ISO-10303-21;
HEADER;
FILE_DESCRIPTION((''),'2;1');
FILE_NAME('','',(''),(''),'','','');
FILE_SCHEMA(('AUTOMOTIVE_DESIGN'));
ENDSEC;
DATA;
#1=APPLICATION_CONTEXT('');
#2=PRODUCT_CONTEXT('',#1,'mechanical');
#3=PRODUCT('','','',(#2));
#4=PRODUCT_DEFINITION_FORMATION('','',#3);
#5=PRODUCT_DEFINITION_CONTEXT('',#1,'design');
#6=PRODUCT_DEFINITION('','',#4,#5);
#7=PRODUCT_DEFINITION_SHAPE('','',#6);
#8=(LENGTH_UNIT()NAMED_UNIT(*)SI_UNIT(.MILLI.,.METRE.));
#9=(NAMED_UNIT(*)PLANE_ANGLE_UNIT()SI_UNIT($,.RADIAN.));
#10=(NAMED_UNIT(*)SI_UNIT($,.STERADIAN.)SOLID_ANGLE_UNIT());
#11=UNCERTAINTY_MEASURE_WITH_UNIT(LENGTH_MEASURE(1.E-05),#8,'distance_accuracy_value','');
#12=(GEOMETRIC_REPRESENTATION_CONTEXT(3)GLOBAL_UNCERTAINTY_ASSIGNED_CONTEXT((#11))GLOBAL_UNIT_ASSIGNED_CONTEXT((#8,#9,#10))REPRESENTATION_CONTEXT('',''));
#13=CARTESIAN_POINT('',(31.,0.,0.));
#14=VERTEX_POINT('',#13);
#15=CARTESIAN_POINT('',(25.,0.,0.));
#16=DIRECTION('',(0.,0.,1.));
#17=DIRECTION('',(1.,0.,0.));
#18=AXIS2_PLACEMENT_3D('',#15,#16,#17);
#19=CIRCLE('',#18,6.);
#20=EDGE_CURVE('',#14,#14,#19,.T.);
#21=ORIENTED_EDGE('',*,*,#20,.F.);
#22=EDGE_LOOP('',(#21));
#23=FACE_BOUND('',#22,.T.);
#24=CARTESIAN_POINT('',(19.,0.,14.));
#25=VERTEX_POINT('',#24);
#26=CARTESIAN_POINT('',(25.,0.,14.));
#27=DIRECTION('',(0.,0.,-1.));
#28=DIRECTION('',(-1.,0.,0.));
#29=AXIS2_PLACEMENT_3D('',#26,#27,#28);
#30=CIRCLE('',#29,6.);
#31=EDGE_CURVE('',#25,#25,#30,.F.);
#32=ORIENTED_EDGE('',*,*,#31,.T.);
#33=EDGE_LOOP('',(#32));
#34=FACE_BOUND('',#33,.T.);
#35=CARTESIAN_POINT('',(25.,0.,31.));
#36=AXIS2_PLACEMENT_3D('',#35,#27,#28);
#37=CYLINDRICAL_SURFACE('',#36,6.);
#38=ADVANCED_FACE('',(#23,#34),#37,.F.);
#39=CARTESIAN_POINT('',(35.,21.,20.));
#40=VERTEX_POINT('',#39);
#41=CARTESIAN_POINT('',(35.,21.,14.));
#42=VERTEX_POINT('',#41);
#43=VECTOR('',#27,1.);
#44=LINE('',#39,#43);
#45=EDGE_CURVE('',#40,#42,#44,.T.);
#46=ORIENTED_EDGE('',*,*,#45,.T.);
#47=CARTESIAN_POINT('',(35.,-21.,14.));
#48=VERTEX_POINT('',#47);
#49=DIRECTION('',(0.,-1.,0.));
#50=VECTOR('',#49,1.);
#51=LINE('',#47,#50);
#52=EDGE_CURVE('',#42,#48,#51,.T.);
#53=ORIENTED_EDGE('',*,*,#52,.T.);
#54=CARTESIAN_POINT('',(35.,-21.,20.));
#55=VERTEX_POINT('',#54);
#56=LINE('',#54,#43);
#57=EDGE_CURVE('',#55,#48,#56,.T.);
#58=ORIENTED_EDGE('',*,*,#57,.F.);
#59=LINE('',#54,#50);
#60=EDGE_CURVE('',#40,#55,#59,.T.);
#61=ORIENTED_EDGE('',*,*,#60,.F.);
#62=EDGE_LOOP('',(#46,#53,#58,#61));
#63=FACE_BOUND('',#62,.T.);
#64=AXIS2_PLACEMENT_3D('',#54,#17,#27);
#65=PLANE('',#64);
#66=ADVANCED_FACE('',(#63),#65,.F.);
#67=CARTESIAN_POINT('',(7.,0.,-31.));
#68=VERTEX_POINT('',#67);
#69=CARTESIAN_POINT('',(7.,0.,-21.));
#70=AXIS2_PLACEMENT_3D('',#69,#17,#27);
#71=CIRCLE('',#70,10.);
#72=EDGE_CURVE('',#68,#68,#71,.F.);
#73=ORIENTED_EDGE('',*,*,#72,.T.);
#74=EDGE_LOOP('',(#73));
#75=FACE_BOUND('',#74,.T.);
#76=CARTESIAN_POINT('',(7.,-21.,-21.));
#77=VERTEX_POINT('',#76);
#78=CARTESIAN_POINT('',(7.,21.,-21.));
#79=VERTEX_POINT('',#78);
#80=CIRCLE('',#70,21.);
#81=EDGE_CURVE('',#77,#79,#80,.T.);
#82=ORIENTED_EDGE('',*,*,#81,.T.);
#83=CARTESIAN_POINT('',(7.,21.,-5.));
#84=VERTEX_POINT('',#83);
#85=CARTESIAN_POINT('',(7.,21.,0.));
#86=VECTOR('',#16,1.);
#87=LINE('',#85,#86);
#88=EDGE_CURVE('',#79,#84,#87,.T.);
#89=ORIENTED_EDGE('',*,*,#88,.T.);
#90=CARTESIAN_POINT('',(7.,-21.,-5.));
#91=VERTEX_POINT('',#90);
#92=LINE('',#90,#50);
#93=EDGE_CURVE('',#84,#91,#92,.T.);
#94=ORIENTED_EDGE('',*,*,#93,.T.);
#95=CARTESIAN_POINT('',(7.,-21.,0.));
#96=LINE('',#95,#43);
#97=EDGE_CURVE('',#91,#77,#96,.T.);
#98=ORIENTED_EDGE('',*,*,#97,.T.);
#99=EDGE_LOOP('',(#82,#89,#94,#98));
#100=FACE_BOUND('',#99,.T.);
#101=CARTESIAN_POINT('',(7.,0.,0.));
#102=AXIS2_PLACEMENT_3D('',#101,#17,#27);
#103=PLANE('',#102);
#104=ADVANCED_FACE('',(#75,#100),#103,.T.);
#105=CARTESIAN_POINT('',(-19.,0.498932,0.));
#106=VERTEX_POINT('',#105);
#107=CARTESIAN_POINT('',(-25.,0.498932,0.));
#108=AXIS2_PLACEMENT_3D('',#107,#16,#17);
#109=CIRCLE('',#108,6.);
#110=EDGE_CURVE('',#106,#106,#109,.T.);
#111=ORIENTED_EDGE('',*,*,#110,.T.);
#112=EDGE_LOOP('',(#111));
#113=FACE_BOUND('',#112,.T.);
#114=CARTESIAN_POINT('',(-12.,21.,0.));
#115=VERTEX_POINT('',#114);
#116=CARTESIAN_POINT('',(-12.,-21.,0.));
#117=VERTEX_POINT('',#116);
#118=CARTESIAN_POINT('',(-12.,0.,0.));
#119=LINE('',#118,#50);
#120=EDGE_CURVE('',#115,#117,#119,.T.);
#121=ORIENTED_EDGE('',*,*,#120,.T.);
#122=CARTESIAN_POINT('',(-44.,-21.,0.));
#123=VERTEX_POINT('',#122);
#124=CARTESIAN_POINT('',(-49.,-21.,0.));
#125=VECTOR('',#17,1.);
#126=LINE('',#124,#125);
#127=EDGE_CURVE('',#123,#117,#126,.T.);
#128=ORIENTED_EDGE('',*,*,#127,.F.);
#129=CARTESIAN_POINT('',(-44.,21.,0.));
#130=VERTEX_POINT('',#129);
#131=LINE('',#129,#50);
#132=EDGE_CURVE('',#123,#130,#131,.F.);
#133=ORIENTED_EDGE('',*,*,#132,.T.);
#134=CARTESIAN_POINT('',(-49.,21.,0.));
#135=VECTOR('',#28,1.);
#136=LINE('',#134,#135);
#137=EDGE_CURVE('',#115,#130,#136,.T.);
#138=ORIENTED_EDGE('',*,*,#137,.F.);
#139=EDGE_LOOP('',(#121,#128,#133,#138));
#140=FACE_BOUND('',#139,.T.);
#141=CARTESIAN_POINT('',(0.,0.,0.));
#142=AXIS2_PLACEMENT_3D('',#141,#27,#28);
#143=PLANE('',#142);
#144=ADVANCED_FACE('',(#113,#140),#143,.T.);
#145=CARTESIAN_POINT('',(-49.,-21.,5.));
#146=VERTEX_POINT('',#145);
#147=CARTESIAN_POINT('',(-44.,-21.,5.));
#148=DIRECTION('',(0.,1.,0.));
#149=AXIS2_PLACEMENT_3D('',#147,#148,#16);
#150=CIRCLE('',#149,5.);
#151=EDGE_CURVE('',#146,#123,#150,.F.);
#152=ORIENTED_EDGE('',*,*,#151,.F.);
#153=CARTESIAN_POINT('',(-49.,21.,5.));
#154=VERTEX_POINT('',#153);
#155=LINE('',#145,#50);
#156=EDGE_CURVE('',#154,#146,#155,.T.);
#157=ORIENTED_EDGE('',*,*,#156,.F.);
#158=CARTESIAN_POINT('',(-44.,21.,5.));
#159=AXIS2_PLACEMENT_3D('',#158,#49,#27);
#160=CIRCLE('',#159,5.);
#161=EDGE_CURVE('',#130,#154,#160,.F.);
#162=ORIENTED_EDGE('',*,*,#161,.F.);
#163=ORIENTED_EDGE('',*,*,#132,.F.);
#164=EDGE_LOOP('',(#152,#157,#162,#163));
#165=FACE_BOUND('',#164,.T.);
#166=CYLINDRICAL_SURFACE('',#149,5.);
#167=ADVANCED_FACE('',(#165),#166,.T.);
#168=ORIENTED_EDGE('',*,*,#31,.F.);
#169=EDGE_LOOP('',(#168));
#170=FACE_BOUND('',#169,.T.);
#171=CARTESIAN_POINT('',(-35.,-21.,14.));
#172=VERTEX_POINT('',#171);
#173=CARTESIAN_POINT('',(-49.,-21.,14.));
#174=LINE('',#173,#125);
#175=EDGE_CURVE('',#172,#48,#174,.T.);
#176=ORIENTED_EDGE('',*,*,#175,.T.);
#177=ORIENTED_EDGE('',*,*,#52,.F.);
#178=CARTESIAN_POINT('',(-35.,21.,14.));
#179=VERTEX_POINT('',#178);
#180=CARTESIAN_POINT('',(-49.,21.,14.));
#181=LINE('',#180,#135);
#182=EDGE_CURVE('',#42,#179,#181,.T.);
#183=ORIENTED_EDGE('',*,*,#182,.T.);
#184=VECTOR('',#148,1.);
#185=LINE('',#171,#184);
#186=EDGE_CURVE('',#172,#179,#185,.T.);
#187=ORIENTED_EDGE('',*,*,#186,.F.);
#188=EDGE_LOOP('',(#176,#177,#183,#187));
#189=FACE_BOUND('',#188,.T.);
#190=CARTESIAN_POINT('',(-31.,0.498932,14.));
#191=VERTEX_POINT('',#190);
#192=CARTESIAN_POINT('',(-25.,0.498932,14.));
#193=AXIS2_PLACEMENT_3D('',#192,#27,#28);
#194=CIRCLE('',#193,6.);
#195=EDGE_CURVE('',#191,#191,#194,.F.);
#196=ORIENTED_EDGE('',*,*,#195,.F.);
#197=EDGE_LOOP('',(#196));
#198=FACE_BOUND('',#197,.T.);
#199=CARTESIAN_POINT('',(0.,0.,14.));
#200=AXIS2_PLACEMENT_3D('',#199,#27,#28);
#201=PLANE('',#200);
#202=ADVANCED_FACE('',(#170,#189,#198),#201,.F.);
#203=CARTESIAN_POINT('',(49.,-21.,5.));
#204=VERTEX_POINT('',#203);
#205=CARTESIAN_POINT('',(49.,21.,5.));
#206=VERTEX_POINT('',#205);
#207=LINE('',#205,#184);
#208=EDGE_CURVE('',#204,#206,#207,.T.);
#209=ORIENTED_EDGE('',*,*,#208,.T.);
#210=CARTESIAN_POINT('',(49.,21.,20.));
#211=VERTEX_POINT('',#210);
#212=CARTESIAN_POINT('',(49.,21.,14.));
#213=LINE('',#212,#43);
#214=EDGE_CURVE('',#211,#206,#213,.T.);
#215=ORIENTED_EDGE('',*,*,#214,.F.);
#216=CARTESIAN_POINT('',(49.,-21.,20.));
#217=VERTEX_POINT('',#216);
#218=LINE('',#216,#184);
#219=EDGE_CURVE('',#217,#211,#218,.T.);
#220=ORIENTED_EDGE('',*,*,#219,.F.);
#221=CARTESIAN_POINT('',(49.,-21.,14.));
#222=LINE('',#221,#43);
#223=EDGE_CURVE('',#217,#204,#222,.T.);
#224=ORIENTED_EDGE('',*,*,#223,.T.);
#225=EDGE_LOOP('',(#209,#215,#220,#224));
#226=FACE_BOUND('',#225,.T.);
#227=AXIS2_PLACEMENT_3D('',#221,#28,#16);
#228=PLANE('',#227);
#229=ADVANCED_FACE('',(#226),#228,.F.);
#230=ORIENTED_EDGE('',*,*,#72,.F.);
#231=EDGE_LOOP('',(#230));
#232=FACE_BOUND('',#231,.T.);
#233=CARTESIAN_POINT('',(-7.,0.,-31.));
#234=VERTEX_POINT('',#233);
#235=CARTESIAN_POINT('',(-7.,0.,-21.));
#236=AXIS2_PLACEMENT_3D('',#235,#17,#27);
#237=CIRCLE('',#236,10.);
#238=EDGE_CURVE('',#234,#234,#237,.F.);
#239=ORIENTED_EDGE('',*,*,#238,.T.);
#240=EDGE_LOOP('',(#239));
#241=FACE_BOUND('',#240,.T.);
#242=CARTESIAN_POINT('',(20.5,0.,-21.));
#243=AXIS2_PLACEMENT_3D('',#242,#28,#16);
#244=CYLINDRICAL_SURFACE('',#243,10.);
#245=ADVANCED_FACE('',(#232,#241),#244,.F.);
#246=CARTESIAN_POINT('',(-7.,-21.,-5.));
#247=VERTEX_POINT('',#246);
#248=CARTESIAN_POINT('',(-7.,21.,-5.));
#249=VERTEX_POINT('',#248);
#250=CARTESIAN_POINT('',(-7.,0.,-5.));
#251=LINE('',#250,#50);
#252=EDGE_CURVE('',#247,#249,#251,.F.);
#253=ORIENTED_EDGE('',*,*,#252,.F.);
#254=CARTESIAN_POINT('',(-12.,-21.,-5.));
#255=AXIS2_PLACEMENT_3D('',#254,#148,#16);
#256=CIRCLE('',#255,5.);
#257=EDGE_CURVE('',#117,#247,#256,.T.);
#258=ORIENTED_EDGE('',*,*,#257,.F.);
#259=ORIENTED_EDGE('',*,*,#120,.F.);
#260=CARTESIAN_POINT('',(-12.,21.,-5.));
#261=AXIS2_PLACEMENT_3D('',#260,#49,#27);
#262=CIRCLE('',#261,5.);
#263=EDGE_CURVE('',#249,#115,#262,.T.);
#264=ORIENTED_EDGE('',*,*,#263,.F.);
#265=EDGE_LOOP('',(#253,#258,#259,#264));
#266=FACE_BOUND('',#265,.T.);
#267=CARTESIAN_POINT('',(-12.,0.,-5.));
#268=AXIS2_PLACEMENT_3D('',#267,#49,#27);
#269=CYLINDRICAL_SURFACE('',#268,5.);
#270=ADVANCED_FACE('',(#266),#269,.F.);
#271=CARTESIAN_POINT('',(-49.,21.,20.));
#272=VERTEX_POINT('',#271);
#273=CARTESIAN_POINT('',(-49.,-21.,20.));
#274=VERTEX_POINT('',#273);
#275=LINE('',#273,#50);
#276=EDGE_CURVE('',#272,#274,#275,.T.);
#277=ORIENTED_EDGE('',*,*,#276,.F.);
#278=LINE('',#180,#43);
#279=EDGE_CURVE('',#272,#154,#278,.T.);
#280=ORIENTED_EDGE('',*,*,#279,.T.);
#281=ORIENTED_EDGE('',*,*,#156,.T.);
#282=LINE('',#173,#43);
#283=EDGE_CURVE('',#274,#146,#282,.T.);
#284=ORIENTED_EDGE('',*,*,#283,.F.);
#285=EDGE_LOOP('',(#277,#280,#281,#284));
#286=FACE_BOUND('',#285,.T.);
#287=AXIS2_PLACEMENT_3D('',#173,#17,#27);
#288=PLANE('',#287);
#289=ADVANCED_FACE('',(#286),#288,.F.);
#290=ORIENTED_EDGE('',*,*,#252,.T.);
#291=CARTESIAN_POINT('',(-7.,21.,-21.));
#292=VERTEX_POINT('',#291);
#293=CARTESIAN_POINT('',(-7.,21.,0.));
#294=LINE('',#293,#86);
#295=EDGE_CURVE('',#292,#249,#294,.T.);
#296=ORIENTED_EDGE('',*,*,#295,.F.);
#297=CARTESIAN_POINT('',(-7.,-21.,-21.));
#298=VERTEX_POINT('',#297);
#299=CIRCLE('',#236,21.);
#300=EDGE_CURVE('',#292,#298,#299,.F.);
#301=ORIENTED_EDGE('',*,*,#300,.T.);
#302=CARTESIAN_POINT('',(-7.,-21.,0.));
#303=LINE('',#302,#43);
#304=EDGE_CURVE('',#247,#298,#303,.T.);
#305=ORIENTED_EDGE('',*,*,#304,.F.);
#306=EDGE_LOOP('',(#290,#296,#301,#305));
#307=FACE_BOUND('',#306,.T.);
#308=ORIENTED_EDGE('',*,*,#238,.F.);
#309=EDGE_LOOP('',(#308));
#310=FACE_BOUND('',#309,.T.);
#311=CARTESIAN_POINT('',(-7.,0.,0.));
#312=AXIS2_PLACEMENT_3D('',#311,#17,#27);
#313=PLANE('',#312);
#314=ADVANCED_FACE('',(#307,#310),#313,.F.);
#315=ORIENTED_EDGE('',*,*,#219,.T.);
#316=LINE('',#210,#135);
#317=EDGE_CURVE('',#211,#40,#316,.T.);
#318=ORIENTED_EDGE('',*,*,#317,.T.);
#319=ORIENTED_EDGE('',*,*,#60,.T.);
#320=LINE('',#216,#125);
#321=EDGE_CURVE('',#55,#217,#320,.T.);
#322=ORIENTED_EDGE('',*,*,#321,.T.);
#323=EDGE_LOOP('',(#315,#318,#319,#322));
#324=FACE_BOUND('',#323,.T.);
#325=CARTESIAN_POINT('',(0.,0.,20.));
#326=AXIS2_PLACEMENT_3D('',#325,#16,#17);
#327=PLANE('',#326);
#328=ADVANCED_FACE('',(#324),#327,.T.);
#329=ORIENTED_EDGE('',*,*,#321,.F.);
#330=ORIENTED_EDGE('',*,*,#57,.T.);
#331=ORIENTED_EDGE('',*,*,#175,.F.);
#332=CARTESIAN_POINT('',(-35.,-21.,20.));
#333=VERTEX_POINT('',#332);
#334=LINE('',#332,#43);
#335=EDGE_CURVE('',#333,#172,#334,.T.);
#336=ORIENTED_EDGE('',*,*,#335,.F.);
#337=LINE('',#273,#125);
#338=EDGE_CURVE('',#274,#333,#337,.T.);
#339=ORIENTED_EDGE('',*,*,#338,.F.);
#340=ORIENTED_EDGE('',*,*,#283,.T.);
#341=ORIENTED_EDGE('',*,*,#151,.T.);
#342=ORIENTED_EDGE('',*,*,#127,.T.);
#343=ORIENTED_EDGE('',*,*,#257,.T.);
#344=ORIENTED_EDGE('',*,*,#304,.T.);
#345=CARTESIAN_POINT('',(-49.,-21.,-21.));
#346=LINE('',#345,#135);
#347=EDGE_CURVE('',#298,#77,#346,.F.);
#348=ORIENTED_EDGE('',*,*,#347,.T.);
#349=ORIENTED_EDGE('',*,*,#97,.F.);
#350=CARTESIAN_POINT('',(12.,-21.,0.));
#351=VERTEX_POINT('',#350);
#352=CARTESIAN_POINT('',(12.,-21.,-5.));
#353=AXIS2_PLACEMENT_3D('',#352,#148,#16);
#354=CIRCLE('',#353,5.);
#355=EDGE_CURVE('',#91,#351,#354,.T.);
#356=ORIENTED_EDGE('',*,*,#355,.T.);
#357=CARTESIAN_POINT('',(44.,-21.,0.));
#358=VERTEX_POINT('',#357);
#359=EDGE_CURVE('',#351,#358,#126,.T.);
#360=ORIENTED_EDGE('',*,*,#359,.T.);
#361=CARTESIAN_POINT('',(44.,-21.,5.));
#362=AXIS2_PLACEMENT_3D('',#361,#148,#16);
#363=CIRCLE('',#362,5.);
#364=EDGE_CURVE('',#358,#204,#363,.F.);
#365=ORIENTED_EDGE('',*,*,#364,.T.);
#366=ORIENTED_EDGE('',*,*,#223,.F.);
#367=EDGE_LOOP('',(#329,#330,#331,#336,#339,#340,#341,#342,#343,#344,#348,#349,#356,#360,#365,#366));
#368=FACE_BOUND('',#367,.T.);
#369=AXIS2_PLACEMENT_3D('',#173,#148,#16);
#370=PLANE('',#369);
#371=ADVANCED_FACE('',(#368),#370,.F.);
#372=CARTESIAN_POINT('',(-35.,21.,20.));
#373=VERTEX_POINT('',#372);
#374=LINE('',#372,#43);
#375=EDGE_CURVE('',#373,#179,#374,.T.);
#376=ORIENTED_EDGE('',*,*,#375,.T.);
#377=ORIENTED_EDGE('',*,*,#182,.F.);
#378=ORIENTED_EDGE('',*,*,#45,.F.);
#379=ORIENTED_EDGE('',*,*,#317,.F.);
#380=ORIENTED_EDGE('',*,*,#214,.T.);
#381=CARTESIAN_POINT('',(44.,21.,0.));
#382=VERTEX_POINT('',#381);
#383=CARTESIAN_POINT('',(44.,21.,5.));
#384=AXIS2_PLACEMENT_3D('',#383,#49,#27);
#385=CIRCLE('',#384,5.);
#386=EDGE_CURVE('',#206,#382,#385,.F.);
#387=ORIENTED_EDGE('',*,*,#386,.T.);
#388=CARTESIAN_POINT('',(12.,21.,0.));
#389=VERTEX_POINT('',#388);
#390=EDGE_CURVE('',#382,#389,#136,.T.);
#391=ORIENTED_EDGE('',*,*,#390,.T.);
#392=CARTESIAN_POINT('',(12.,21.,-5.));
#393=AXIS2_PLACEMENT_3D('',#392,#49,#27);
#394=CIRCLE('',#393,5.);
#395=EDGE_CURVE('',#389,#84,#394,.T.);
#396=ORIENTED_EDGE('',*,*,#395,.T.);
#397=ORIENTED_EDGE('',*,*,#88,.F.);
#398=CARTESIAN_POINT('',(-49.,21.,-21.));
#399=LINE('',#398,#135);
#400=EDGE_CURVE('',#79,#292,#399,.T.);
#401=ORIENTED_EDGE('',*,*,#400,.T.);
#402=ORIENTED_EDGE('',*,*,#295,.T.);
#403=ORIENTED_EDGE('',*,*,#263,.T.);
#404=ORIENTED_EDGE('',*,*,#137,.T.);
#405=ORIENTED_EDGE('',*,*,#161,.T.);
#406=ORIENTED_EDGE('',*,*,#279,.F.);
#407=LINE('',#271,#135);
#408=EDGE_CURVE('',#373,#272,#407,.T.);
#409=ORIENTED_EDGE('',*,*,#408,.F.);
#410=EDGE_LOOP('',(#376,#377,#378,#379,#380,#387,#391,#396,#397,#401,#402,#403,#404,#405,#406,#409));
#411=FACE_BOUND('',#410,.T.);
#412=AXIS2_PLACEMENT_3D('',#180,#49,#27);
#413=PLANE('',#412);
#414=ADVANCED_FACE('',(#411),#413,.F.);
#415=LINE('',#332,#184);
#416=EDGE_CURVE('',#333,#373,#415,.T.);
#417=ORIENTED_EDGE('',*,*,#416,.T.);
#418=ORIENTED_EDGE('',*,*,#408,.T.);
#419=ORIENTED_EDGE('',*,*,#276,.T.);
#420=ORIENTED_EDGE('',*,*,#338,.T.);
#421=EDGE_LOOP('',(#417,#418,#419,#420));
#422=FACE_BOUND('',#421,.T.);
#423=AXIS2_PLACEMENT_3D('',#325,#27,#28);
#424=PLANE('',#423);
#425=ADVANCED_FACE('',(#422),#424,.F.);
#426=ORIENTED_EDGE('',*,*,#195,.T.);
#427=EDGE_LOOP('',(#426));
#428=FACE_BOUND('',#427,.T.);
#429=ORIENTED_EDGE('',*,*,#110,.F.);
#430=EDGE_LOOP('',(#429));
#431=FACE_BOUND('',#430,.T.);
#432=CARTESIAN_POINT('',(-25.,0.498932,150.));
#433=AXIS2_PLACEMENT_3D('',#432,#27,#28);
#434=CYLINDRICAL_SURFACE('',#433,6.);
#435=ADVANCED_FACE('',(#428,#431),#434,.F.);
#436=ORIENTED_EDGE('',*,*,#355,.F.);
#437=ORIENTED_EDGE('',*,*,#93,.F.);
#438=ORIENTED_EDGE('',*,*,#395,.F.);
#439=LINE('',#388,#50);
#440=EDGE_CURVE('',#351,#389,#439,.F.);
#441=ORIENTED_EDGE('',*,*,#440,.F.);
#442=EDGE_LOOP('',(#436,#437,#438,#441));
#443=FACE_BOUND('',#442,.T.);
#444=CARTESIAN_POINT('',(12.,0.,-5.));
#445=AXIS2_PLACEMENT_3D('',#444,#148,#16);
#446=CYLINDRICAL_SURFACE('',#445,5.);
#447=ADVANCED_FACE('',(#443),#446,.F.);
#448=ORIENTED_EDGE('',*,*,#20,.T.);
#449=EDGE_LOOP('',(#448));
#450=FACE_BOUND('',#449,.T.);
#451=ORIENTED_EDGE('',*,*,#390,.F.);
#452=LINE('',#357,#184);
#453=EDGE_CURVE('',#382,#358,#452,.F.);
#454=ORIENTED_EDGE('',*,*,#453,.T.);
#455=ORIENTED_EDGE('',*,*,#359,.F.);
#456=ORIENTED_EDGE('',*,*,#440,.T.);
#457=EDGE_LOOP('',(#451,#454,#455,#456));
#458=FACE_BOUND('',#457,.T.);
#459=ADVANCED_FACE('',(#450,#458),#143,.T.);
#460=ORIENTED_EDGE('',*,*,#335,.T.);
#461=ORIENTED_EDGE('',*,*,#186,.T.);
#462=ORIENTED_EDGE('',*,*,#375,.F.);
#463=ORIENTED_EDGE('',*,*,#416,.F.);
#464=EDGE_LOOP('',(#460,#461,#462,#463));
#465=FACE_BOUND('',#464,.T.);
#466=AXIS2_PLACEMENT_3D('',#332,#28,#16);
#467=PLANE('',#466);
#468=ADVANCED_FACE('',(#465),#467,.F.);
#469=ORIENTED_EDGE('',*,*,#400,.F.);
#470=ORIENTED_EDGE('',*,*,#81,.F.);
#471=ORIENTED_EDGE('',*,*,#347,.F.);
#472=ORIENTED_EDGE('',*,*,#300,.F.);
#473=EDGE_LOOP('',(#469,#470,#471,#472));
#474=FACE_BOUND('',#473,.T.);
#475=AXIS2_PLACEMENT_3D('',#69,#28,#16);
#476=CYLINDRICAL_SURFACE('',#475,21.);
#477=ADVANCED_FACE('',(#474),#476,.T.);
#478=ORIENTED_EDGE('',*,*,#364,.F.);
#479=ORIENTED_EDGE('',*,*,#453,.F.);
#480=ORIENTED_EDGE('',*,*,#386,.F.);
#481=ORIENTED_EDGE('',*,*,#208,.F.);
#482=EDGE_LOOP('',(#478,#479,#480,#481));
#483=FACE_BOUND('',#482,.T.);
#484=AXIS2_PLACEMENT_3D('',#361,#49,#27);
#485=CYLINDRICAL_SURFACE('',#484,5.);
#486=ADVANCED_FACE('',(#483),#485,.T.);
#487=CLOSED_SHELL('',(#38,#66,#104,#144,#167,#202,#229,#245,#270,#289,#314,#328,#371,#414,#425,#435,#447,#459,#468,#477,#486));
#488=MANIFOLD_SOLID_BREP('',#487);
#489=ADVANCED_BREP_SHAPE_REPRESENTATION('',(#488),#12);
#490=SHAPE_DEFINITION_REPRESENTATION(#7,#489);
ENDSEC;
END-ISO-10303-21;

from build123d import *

# Parameters (mm, degrees)
SKETCH1_W           = 98
SKETCH1_H           = 42
BOSS_EXTRUDE1_DEPTH = 14
SKETCH3_R           = 6
CUT_EXTRUDE1_DEPTH  = 31
SKETCH3_3_R         = 6
CUT_EXTRUDE2_DEPTH  = 150
FILLET1_R           = 5
SKETCH4_W           = 14
SKETCH4_H           = 42
BOSS_EXTRUDE2_DEPTH = 6
FILLET2_R           = 5
SKETCH5_W           = 14
SKETCH5_H           = 42
BOSS_EXTRUDE3_DEPTH = 6
SKETCH6_W           = 42
SKETCH6_H           = 42
BOSS_EXTRUDE4_DEPTH = 7
FILLET4_RADIUS      = 21
FILLET4_LENGTH      = 14
SKETCH7_R           = 10
CUT_EXTRUDE3_DEPTH  = 20.5
FILLET5_R           = 5


with BuildPart() as part:
    # Sketch1 → Boss-Extrude1 (new body)
    with BuildSketch(Plane.XY):
        Rectangle(SKETCH1_W, SKETCH1_H)
    extrude(amount=BOSS_EXTRUDE1_DEPTH)

    # Sketch3 → Cut-Extrude1 (cut)
    with BuildSketch(Plane.XY):
        with Locations(Location((25, 0, 0), (0, 0, 180))):
            Circle(SKETCH3_R)
    extrude(amount=CUT_EXTRUDE1_DEPTH, mode=Mode.SUBTRACT)

    # Sketch3<3> → Cut-Extrude2 (cut)
    with BuildSketch(Plane.XY):
        with Locations(Location((-25, 0.49893218, 0), (0, 0, 180))):
            Circle(SKETCH3_3_R)
        with Locations(Location((25, 0, 0), (0, 0, 180))):
            Circle(SKETCH3_3_R)
    extrude(amount=CUT_EXTRUDE2_DEPTH, mode=Mode.SUBTRACT)

    # Fillet1
    fillet1_edges = [part.edges().sort_by_distance(p)[0] for p in [
        (-49, 0, 0),
    ]]
    fillet(fillet1_edges, radius=FILLET1_R)

    # Sketch4 → Boss-Extrude2 (add)
    with BuildSketch(Plane.XY.offset(14)):
        with Locations((-42, 0)):
            Rectangle(SKETCH4_W, SKETCH4_H)
    extrude(amount=BOSS_EXTRUDE2_DEPTH)

    # Fillet2
    fillet2_edges = [part.edges().sort_by_distance(p)[0] for p in [
        (49, 0, 0),
    ]]
    fillet(fillet2_edges, radius=FILLET2_R)

    # Sketch5 → Boss-Extrude3 (add)
    with BuildSketch(Plane.XY.offset(14)):
        with Locations((42, 0)):
            Rectangle(SKETCH5_W, SKETCH5_H)
    extrude(amount=BOSS_EXTRUDE3_DEPTH)

    # Sketch6 → Boss-Extrude4 (add, symmetric)
    with BuildSketch(Plane(origin=(0, 0, 0), x_dir=(0, 0, -1), z_dir=(1, 0, 0))):
        with Locations((21, 0)):
            Rectangle(SKETCH6_W, SKETCH6_H)
    extrude(amount=BOSS_EXTRUDE4_DEPTH, both=True)

    # Fillet4: full round fillet: the end face becomes a half cylinder, R = half its width
    fillet4_face = Plane((0, 0, -42), x_dir=(-1, 0, 0), z_dir=(0, 0, -1))  # on the end face: x along it, z out of the body
    fillet4_slab = fillet4_face.offset(-FILLET4_RADIUS / 2) * Box(FILLET4_LENGTH, 2 * FILLET4_RADIUS, FILLET4_RADIUS, mode=Mode.PRIVATE)  # the body's end, R deep
    fillet4_round = Plane((0, 0, -21), x_dir=(0, 0, -1), z_dir=(-1, 0, 0)) * Cylinder(FILLET4_RADIUS, FILLET4_LENGTH, mode=Mode.PRIVATE)  # its axis R under the face
    add(fillet4_slab - fillet4_round, mode=Mode.SUBTRACT)

    # Sketch7 → Cut-Extrude3 (cut, symmetric)
    with BuildSketch(Plane(origin=(0, 0, 0), x_dir=(0, 0, -1), z_dir=(1, 0, 0))):
        with Locations((21, 0)):
            Circle(SKETCH7_R)
    extrude(amount=CUT_EXTRUDE3_DEPTH, both=True, mode=Mode.SUBTRACT)

    # Fillet5
    fillet5_edges = [part.edges().sort_by_distance(p)[0] for p in [
        (-7, 0, 0),
        (7, 0, 0),
    ]]
    fillet(fillet5_edges, radius=FILLET5_R)


solid = part.part
